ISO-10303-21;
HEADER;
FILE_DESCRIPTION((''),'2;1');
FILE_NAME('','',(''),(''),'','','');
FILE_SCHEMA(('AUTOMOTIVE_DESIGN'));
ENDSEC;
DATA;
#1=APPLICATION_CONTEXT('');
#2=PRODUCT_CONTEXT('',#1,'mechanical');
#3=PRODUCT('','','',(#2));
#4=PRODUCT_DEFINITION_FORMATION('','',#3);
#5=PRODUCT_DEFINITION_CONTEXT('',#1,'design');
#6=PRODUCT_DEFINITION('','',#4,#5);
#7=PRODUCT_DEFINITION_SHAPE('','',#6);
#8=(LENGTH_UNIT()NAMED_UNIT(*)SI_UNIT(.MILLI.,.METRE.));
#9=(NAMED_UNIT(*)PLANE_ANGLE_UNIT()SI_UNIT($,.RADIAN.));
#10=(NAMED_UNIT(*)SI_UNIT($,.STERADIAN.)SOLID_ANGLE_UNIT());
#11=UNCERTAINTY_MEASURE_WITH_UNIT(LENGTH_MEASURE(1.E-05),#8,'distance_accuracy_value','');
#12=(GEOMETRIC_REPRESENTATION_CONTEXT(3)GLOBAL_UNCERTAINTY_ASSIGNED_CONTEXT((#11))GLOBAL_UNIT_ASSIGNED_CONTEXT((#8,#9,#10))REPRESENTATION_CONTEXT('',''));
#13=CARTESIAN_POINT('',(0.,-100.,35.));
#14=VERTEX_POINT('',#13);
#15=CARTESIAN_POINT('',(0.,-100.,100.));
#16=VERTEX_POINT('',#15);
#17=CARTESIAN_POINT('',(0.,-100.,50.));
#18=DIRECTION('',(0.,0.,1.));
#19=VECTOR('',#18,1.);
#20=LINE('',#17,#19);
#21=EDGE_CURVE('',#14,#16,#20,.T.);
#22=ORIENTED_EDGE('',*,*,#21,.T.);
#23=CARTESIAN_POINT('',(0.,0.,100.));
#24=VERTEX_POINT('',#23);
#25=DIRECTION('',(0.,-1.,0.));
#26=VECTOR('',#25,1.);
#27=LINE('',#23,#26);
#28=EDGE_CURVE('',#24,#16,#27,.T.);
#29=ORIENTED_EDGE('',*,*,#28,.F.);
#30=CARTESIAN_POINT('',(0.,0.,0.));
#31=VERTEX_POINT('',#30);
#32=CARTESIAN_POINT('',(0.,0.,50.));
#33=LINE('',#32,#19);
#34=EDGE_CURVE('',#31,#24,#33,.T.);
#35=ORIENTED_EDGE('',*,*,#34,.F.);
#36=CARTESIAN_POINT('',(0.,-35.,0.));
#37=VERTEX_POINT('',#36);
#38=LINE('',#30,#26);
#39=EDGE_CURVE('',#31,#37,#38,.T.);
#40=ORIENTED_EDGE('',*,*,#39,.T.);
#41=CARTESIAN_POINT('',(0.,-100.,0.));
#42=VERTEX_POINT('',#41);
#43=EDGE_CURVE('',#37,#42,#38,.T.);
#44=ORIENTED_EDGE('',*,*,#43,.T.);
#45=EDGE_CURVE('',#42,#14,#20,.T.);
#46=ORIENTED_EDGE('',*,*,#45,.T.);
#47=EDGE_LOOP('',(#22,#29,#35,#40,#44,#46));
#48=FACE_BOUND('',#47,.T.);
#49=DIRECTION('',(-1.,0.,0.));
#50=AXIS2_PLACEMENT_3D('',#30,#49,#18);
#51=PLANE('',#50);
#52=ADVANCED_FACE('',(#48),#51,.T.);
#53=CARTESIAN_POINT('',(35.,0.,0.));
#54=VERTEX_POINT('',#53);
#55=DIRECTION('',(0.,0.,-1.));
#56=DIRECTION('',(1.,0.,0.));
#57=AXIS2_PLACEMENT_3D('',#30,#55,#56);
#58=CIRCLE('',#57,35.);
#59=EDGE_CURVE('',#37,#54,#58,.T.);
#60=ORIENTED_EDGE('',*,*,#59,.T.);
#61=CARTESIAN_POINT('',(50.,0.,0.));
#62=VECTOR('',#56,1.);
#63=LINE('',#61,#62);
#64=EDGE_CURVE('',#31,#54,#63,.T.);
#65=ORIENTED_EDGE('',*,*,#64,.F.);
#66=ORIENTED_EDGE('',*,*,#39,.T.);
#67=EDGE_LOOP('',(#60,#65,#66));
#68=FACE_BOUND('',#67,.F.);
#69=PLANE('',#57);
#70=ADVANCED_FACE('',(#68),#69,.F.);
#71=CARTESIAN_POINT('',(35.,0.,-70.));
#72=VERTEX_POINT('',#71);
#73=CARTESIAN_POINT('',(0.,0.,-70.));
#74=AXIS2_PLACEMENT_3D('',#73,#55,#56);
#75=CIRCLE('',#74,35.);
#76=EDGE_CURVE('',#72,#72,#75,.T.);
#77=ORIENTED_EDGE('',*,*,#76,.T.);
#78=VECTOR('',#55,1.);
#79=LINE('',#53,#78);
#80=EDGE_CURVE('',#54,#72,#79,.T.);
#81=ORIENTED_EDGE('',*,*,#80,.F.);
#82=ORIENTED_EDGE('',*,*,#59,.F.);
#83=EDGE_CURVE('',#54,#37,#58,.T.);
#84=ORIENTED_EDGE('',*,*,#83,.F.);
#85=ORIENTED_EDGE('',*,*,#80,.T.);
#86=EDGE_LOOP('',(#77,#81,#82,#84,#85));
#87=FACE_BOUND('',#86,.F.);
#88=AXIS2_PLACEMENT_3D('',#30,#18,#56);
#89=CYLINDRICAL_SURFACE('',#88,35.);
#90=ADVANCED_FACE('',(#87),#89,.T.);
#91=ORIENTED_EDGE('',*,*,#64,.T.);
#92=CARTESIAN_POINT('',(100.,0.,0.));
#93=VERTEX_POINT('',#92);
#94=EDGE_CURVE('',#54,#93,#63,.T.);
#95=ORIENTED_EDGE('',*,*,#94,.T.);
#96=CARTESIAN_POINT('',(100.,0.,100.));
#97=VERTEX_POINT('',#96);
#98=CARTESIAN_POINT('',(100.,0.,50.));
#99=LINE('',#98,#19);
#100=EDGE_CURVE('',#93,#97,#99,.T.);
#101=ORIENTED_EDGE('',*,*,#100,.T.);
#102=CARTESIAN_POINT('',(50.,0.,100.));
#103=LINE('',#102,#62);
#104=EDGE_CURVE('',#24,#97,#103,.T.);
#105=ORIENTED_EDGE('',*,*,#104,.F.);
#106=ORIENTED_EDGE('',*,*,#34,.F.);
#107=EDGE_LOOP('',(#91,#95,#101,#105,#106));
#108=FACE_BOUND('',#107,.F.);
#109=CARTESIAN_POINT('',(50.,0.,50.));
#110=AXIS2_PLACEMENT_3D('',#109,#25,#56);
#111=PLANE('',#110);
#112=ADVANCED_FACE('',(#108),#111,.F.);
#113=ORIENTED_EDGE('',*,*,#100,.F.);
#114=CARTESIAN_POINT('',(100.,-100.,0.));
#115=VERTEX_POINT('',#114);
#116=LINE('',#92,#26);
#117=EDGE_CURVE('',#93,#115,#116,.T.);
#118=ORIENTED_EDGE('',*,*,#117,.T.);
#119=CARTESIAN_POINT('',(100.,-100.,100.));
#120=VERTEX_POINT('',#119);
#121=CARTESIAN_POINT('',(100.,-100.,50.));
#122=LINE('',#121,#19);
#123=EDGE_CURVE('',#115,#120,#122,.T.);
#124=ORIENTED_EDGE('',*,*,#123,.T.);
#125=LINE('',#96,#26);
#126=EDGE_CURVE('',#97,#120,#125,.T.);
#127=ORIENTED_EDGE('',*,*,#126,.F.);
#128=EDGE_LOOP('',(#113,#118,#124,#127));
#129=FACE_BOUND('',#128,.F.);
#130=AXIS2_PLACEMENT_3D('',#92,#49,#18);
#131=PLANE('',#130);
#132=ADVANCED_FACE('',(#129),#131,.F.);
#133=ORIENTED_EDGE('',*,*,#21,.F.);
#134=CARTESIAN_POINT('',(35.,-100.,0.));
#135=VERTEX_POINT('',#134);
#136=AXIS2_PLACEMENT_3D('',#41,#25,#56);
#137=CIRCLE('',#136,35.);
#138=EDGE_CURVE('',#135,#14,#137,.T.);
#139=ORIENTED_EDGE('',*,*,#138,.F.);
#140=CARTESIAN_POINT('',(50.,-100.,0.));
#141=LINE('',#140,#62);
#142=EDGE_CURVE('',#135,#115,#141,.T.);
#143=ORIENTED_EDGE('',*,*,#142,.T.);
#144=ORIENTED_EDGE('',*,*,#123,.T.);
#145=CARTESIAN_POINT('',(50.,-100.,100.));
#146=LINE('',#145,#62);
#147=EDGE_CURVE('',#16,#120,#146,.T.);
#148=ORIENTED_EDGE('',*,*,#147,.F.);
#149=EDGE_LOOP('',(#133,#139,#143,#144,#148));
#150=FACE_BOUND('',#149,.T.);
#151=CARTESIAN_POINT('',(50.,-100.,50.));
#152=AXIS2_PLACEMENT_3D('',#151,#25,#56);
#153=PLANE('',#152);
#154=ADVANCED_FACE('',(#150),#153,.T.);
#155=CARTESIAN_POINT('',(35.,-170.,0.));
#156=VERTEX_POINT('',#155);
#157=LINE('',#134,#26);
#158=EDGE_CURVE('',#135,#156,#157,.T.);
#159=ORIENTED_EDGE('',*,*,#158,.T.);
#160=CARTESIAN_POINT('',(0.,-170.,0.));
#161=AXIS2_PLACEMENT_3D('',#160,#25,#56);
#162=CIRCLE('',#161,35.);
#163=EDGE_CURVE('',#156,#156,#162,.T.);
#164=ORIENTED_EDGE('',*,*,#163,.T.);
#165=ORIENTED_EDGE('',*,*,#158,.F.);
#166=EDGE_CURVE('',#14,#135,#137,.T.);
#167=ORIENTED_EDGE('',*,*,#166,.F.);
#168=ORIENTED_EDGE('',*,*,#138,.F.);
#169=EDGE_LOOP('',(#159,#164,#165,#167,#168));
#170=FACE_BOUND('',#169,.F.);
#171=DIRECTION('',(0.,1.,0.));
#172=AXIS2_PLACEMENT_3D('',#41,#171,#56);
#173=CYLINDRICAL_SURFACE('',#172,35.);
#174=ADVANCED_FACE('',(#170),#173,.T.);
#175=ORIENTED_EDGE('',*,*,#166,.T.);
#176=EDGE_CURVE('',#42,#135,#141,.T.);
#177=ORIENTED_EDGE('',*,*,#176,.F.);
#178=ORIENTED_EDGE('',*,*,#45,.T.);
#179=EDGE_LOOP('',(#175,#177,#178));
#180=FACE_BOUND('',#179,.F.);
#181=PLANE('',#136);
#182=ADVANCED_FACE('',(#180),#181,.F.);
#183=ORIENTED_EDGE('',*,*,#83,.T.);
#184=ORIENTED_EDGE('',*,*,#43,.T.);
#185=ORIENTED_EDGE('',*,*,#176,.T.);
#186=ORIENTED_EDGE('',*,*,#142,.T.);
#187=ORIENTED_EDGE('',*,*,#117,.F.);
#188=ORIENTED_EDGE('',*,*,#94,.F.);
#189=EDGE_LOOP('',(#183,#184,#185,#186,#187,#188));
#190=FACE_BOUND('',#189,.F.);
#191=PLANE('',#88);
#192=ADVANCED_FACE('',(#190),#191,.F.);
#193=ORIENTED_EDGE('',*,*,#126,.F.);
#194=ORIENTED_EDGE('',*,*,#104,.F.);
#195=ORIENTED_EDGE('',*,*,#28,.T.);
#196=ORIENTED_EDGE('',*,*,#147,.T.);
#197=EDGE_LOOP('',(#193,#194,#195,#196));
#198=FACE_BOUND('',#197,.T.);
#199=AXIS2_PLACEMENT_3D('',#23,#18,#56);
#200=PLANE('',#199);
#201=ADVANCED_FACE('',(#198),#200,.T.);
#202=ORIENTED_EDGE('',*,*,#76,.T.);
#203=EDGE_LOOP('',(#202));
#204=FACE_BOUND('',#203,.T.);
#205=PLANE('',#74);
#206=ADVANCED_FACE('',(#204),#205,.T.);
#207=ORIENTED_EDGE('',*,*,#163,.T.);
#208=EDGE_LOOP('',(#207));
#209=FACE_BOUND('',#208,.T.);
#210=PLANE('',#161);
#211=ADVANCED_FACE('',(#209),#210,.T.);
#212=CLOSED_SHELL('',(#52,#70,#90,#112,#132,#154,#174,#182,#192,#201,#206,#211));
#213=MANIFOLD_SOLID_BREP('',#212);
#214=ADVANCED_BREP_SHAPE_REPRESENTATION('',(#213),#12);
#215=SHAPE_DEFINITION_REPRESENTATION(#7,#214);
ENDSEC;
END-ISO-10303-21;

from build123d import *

# Parameters (mm, degrees)
F0_W     = 100
F0_H     = 100
F1_DEPTH = 100
F2_R     = 35
F3_DEPTH = 70
F4_R     = 35
F5_DEPTH = 70


with BuildPart() as f1:
    # F0 (on Front) → F1 (new body)
    with BuildSketch(Plane.XZ):
        with Locations((50, 50)):
            Rectangle(F0_W, F0_H)
    extrude(amount=F1_DEPTH)

    # F2 (on face) → F3 (join)
    with BuildSketch(Plane(origin=(0, 0, 0), x_dir=(1, 0, 0), z_dir=(0, 0, -1))):
        Circle(F2_R)
    extrude(amount=F3_DEPTH)

    # F4 (on face) → F5 (join)
    with BuildSketch(Plane.XZ.offset(100)):
        Circle(F4_R)
    extrude(amount=F5_DEPTH)


solid = f1.part
